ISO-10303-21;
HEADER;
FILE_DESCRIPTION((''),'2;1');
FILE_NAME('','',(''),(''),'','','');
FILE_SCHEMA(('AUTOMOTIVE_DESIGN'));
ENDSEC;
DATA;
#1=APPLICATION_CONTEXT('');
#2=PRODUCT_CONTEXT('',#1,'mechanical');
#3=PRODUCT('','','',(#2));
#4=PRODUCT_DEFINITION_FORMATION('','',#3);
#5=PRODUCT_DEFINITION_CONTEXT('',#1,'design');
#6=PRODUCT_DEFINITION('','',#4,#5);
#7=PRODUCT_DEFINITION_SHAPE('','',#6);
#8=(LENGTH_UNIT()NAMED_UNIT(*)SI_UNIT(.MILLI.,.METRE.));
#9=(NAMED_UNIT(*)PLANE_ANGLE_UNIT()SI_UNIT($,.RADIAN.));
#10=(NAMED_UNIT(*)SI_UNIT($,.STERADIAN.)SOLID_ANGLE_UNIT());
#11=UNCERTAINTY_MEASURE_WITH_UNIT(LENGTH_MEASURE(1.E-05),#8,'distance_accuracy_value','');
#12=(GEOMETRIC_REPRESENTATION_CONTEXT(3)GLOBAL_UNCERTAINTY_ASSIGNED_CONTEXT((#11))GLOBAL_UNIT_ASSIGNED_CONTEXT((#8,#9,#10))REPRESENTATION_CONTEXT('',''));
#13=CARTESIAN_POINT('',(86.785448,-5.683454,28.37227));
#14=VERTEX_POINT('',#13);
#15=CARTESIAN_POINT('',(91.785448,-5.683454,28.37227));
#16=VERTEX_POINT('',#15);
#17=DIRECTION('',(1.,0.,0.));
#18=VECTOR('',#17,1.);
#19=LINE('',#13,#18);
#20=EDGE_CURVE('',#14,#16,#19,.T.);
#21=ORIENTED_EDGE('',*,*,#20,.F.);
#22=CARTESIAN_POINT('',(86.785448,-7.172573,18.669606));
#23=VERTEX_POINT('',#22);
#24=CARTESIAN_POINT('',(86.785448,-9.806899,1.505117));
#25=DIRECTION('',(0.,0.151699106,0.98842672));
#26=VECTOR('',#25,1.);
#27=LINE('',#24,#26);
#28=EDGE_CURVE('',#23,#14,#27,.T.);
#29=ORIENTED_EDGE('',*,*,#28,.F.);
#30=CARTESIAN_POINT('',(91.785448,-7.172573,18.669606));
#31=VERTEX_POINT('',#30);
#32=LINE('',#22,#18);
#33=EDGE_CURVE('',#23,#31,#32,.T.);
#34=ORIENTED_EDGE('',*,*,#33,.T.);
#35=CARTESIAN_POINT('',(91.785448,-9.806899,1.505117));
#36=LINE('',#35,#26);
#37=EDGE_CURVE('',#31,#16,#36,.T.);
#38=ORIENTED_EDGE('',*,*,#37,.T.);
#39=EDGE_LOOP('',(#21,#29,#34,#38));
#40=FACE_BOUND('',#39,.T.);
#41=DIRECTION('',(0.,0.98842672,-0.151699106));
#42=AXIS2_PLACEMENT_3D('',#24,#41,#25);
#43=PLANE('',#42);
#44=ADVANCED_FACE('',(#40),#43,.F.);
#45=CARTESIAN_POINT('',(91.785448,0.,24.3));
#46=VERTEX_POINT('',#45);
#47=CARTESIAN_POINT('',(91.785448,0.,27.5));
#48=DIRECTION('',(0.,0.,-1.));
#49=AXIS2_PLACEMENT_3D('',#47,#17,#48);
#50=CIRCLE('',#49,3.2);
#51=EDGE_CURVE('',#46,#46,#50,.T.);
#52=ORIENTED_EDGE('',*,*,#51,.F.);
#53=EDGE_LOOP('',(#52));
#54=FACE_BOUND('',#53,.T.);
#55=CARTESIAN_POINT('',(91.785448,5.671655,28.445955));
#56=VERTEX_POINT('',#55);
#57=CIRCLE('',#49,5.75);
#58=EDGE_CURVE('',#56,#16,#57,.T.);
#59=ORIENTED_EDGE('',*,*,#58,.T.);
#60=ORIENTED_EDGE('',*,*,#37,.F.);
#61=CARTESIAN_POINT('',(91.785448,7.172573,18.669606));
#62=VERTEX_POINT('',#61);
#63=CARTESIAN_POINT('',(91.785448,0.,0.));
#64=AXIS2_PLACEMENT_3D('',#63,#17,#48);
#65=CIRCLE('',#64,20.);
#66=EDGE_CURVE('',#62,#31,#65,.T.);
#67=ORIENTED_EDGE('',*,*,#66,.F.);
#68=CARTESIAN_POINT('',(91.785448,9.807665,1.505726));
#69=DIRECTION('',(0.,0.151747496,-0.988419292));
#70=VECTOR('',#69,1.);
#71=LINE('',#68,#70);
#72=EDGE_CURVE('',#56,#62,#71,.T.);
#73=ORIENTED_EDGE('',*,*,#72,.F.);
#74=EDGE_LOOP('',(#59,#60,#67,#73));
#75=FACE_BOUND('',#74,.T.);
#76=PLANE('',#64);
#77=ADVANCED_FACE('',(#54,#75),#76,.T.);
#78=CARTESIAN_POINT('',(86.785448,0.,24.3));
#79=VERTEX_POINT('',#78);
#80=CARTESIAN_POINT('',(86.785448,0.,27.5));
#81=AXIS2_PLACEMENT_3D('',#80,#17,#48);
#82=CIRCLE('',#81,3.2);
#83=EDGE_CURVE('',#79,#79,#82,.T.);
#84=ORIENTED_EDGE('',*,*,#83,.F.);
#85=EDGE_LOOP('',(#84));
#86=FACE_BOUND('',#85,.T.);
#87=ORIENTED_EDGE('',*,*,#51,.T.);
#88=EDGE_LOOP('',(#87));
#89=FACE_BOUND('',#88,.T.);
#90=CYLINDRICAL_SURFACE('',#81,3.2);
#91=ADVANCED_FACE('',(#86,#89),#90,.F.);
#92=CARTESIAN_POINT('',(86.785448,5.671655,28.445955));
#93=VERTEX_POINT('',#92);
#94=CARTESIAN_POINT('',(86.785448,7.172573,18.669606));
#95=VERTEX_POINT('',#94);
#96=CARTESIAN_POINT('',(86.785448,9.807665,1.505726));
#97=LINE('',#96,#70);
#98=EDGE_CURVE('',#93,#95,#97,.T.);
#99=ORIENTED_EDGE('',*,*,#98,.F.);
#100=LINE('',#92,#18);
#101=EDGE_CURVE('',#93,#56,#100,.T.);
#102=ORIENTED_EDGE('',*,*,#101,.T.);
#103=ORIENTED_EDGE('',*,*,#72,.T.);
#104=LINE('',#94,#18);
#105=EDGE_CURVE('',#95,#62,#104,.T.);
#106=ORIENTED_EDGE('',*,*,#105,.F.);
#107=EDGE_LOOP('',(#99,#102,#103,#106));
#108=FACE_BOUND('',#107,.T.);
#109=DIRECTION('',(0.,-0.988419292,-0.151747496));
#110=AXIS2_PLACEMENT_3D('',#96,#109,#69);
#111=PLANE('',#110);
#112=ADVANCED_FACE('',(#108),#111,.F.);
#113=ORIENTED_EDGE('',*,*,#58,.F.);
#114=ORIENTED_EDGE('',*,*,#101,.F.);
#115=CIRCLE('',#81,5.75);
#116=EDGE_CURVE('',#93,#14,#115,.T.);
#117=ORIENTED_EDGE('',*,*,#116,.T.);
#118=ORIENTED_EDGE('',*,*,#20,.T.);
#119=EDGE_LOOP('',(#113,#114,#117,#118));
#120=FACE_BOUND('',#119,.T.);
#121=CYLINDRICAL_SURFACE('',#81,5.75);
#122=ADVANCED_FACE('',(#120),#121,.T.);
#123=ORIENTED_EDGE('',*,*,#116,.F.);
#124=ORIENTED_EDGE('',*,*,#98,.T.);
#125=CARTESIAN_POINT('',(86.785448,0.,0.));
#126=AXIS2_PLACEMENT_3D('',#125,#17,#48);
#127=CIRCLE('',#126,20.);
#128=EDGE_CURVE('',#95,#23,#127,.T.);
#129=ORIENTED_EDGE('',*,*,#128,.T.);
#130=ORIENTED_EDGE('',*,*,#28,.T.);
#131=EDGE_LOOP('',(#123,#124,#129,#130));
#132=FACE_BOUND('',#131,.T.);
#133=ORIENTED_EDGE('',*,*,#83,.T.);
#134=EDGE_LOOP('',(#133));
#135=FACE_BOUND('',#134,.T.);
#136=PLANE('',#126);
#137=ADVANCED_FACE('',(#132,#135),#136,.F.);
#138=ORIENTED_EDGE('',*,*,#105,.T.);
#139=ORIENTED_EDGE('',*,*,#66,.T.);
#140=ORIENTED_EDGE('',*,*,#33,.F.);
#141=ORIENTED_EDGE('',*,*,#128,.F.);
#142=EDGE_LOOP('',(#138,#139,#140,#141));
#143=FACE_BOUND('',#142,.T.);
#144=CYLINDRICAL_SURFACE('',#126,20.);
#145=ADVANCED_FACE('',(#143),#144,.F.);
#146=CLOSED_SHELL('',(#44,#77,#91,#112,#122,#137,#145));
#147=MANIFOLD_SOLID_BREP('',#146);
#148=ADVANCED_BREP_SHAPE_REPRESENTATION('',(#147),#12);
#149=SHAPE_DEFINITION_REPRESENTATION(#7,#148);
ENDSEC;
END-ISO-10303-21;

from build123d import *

# Parameters (mm, degrees)
SZKIC19_R                   = 3.2
DODANIE_WYCI_GNI_CIE4_DEPTH = 5


with BuildPart() as part:
    # Szkic19 → Dodanie-wyciągnięcie4 (new body)
    with BuildSketch(Plane(origin=(91.785447504, 0, 0), x_dir=(0, 0, -1), z_dir=(1, 0, 0))):
        with BuildLine():
            ThreePointArc((-28.445954588, 5.671654954), (-33.249878941, -0.037311688), (-28.372269859, -5.683453641))
            Line((-28.372269859, -5.683453641), (-18.66960621, -7.172573037))
            ThreePointArc((-18.66960621, -7.172573037), (-20, 0), (-18.66960621, 7.172573037))
            Line((-18.66960621, 7.172573037), (-28.445954588, 5.671654954))
        make_face()
        with Locations((-27.5, 0)):
            Circle(SZKIC19_R, mode=Mode.SUBTRACT)
    extrude(amount=-DODANIE_WYCI_GNI_CIE4_DEPTH)


solid = part.part
